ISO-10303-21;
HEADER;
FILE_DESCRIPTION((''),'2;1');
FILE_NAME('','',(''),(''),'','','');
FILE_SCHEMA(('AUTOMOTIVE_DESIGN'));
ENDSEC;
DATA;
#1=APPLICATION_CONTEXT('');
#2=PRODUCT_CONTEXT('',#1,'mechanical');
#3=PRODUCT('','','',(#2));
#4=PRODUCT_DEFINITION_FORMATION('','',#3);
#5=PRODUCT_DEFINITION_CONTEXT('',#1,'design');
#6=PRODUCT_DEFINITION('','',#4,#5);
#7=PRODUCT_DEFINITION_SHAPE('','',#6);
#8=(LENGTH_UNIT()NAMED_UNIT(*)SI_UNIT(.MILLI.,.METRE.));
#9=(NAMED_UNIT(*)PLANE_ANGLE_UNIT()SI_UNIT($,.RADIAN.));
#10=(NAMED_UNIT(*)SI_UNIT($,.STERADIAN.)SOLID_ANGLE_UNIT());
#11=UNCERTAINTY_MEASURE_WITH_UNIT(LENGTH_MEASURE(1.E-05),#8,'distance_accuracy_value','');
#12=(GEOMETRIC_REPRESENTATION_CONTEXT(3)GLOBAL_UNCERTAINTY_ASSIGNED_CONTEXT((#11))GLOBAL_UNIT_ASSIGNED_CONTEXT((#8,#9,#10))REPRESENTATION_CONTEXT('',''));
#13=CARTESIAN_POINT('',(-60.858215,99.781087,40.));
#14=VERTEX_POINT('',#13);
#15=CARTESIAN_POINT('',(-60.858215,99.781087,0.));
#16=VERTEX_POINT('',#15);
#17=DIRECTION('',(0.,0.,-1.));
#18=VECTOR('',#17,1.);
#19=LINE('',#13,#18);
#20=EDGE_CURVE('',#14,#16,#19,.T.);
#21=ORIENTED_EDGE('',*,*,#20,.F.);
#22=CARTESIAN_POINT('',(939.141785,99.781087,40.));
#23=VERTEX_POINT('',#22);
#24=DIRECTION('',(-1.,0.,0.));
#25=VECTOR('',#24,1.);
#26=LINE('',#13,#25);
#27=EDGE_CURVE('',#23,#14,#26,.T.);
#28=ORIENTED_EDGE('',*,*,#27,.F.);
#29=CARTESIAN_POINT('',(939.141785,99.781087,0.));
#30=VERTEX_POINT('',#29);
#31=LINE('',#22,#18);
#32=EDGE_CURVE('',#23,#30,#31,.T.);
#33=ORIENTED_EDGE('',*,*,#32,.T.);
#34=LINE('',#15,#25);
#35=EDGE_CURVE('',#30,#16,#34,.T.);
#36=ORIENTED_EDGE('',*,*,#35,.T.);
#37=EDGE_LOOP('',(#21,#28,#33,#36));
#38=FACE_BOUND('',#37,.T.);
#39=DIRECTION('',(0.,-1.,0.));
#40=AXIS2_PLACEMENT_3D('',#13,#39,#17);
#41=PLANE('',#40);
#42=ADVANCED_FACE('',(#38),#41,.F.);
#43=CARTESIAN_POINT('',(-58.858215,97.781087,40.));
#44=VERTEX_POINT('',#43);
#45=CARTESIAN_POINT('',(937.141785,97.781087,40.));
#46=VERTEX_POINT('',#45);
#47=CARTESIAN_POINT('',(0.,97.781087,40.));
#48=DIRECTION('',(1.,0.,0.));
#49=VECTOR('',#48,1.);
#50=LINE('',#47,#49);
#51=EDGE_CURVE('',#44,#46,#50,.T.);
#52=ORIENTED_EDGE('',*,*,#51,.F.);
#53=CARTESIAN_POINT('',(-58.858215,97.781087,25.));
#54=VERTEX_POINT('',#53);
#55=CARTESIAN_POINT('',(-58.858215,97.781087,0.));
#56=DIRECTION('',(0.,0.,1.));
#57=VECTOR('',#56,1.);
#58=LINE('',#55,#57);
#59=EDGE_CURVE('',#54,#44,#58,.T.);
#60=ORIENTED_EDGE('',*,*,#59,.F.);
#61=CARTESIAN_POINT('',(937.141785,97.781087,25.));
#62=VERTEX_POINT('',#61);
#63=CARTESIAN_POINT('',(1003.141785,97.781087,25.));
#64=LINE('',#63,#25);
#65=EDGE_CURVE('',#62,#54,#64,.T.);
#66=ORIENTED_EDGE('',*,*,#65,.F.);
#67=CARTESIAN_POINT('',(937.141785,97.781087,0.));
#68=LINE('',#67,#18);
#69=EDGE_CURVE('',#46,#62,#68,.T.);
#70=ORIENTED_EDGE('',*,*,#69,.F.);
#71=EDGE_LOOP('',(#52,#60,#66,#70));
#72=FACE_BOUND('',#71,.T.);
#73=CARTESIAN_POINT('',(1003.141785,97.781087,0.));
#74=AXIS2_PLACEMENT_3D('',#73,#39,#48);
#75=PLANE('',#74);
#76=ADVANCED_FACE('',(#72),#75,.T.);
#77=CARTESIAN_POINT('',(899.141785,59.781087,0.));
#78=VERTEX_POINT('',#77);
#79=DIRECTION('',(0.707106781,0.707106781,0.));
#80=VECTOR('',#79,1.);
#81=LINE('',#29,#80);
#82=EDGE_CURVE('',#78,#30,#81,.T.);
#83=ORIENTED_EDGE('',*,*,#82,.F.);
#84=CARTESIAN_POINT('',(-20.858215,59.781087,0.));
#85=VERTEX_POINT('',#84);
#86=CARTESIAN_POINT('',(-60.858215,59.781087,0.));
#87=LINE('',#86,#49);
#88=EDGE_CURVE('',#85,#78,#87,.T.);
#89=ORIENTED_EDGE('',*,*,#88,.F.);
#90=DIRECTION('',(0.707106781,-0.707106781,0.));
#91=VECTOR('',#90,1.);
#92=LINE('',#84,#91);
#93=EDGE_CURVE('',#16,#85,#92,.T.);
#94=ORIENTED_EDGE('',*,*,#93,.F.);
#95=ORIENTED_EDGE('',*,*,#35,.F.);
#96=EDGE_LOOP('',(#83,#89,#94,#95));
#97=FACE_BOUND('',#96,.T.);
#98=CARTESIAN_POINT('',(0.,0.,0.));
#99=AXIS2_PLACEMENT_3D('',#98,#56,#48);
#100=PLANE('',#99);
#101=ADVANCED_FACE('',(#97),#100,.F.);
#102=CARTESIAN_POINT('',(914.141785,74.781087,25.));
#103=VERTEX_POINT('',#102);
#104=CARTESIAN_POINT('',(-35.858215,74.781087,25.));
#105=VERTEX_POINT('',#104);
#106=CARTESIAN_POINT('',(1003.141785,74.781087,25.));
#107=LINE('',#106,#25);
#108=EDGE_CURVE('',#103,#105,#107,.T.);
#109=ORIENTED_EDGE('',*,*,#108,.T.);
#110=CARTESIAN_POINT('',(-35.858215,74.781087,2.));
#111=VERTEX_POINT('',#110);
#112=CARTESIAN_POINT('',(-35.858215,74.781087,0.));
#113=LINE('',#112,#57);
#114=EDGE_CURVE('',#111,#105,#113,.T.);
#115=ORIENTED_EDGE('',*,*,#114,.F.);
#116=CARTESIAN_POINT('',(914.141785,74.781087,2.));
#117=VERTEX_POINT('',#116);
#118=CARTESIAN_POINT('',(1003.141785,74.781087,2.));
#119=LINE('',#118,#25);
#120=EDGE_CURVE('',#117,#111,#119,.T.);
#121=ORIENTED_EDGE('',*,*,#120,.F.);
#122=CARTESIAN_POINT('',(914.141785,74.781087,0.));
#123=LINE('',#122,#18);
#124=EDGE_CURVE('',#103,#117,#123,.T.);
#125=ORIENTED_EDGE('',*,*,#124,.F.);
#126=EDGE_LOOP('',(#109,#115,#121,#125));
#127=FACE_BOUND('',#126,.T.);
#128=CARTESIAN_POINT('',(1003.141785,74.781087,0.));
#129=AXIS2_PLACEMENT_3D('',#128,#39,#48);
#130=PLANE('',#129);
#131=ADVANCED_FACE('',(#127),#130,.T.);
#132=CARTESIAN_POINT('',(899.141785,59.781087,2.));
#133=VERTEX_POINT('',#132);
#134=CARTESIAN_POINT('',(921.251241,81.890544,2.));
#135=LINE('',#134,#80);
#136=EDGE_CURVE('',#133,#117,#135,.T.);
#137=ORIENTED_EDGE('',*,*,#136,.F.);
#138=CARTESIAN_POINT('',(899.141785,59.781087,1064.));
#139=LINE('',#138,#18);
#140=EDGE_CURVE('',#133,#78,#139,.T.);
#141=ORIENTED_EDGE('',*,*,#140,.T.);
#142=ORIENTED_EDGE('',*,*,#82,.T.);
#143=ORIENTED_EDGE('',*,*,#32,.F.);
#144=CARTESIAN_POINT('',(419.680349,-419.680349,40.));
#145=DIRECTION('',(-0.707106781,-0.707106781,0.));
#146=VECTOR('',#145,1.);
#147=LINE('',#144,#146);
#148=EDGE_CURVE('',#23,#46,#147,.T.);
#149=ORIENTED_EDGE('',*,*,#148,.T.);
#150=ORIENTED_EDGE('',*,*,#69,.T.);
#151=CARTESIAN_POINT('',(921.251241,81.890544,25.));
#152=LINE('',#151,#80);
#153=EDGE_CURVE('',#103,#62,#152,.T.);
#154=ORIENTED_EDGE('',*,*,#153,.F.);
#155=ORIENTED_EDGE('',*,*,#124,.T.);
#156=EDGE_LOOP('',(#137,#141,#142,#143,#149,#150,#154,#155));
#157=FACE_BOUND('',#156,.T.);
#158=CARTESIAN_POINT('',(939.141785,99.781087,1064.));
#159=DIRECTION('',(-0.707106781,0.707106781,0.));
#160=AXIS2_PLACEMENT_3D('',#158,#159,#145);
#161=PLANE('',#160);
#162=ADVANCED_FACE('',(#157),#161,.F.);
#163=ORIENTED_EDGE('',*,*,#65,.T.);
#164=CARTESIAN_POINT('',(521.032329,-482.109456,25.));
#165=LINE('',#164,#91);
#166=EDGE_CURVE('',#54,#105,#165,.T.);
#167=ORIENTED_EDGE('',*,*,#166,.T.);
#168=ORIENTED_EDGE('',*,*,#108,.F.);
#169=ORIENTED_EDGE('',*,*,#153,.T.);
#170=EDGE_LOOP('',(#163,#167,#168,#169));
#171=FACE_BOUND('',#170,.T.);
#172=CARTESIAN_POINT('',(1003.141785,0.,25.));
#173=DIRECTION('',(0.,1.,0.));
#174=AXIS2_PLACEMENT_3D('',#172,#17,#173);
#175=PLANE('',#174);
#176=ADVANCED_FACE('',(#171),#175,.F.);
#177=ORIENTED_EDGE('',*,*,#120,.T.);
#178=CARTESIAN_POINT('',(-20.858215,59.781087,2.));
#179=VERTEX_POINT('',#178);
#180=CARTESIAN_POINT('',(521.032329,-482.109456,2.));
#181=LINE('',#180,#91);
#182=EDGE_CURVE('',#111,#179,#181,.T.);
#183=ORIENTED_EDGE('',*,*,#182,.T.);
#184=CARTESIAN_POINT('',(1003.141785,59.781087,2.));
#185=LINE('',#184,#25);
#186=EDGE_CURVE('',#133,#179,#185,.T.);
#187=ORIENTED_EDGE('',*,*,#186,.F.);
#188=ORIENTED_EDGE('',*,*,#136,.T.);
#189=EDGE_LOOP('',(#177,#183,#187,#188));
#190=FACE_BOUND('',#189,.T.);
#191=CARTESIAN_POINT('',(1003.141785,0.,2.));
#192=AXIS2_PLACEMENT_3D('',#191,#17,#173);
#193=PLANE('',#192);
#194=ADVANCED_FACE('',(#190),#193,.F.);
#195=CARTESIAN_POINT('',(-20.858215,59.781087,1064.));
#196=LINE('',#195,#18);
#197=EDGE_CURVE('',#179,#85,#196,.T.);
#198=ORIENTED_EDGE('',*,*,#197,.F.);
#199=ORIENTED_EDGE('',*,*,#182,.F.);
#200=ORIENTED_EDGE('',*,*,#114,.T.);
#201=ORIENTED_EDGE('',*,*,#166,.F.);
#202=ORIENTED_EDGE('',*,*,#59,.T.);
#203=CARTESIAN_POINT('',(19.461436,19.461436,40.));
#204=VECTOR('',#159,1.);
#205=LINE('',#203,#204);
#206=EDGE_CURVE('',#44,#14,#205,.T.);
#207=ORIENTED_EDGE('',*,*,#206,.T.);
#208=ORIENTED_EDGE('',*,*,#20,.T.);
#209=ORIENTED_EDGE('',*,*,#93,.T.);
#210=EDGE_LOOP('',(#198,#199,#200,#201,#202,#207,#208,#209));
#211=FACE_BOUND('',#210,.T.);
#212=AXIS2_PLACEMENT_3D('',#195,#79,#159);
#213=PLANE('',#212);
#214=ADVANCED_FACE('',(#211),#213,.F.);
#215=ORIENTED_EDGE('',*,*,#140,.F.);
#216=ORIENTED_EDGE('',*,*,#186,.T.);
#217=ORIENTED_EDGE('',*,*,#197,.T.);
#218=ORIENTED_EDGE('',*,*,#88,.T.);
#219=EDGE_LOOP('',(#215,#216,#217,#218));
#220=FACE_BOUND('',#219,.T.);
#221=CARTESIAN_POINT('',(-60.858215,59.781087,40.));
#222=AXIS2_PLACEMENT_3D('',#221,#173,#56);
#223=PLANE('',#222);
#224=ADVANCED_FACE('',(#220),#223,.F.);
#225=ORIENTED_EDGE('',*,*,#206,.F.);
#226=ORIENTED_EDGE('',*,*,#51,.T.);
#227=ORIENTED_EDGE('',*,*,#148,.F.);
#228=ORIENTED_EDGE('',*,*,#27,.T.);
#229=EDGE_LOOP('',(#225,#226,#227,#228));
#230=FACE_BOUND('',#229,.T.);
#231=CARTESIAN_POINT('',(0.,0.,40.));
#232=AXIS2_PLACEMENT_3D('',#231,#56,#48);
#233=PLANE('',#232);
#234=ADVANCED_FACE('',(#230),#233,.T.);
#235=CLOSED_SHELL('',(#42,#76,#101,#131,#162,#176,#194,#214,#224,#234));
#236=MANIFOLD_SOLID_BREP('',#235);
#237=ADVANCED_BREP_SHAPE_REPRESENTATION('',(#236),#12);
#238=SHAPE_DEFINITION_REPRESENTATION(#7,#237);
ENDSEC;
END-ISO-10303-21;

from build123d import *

# Parameters (mm, degrees)
SKETCH6_W           = 1000
SKETCH6_H           = 40
BOSS_EXTRUDE3_DEPTH = 40
SKETCH7_W           = 15
SKETCH7_H           = 23
CUT_EXTRUDE3_DEPTH  = 1064
CUT_EXTRUDE4_DEPTH  = 1064


with BuildPart() as part:
    # Sketch6 → Boss-Extrude3 (new body)
    with BuildSketch(Plane.XY):
        with Locations((439.141785032, 79.78108724)):
            Rectangle(SKETCH6_W, SKETCH6_H)
    extrude(amount=BOSS_EXTRUDE3_DEPTH)

    # Sketch7 → Cut-Extrude3 (cut)
    with BuildSketch(Plane.ZY.offset(60.858214968)):
        with Locations((32.5, 86.28108724)):
            Rectangle(SKETCH7_W, SKETCH7_H)
        Polygon((25, 74.78108724), (2, 74.78108724), (2, 59.78108724), (40, 59.78108724), (40, 74.78108724), align=None)
    extrude(amount=-CUT_EXTRUDE3_DEPTH, mode=Mode.SUBTRACT)

    # Sketch8 → Cut-Extrude4 (cut)
    with BuildSketch(Plane(origin=(0, 0, 0), x_dir=(-1, 0, 0), z_dir=(0, 0, -1))):
        Polygon((-939.141785032, 99.78108724), (-899.141785032, 59.78108724), (-939.141785032, 59.78108724), align=None)
        Polygon((60.858214968, 59.78108724), (20.858214968, 59.78108724), (60.858214968, 99.78108724), align=None)
    extrude(amount=-CUT_EXTRUDE4_DEPTH, mode=Mode.SUBTRACT)


solid = part.part
